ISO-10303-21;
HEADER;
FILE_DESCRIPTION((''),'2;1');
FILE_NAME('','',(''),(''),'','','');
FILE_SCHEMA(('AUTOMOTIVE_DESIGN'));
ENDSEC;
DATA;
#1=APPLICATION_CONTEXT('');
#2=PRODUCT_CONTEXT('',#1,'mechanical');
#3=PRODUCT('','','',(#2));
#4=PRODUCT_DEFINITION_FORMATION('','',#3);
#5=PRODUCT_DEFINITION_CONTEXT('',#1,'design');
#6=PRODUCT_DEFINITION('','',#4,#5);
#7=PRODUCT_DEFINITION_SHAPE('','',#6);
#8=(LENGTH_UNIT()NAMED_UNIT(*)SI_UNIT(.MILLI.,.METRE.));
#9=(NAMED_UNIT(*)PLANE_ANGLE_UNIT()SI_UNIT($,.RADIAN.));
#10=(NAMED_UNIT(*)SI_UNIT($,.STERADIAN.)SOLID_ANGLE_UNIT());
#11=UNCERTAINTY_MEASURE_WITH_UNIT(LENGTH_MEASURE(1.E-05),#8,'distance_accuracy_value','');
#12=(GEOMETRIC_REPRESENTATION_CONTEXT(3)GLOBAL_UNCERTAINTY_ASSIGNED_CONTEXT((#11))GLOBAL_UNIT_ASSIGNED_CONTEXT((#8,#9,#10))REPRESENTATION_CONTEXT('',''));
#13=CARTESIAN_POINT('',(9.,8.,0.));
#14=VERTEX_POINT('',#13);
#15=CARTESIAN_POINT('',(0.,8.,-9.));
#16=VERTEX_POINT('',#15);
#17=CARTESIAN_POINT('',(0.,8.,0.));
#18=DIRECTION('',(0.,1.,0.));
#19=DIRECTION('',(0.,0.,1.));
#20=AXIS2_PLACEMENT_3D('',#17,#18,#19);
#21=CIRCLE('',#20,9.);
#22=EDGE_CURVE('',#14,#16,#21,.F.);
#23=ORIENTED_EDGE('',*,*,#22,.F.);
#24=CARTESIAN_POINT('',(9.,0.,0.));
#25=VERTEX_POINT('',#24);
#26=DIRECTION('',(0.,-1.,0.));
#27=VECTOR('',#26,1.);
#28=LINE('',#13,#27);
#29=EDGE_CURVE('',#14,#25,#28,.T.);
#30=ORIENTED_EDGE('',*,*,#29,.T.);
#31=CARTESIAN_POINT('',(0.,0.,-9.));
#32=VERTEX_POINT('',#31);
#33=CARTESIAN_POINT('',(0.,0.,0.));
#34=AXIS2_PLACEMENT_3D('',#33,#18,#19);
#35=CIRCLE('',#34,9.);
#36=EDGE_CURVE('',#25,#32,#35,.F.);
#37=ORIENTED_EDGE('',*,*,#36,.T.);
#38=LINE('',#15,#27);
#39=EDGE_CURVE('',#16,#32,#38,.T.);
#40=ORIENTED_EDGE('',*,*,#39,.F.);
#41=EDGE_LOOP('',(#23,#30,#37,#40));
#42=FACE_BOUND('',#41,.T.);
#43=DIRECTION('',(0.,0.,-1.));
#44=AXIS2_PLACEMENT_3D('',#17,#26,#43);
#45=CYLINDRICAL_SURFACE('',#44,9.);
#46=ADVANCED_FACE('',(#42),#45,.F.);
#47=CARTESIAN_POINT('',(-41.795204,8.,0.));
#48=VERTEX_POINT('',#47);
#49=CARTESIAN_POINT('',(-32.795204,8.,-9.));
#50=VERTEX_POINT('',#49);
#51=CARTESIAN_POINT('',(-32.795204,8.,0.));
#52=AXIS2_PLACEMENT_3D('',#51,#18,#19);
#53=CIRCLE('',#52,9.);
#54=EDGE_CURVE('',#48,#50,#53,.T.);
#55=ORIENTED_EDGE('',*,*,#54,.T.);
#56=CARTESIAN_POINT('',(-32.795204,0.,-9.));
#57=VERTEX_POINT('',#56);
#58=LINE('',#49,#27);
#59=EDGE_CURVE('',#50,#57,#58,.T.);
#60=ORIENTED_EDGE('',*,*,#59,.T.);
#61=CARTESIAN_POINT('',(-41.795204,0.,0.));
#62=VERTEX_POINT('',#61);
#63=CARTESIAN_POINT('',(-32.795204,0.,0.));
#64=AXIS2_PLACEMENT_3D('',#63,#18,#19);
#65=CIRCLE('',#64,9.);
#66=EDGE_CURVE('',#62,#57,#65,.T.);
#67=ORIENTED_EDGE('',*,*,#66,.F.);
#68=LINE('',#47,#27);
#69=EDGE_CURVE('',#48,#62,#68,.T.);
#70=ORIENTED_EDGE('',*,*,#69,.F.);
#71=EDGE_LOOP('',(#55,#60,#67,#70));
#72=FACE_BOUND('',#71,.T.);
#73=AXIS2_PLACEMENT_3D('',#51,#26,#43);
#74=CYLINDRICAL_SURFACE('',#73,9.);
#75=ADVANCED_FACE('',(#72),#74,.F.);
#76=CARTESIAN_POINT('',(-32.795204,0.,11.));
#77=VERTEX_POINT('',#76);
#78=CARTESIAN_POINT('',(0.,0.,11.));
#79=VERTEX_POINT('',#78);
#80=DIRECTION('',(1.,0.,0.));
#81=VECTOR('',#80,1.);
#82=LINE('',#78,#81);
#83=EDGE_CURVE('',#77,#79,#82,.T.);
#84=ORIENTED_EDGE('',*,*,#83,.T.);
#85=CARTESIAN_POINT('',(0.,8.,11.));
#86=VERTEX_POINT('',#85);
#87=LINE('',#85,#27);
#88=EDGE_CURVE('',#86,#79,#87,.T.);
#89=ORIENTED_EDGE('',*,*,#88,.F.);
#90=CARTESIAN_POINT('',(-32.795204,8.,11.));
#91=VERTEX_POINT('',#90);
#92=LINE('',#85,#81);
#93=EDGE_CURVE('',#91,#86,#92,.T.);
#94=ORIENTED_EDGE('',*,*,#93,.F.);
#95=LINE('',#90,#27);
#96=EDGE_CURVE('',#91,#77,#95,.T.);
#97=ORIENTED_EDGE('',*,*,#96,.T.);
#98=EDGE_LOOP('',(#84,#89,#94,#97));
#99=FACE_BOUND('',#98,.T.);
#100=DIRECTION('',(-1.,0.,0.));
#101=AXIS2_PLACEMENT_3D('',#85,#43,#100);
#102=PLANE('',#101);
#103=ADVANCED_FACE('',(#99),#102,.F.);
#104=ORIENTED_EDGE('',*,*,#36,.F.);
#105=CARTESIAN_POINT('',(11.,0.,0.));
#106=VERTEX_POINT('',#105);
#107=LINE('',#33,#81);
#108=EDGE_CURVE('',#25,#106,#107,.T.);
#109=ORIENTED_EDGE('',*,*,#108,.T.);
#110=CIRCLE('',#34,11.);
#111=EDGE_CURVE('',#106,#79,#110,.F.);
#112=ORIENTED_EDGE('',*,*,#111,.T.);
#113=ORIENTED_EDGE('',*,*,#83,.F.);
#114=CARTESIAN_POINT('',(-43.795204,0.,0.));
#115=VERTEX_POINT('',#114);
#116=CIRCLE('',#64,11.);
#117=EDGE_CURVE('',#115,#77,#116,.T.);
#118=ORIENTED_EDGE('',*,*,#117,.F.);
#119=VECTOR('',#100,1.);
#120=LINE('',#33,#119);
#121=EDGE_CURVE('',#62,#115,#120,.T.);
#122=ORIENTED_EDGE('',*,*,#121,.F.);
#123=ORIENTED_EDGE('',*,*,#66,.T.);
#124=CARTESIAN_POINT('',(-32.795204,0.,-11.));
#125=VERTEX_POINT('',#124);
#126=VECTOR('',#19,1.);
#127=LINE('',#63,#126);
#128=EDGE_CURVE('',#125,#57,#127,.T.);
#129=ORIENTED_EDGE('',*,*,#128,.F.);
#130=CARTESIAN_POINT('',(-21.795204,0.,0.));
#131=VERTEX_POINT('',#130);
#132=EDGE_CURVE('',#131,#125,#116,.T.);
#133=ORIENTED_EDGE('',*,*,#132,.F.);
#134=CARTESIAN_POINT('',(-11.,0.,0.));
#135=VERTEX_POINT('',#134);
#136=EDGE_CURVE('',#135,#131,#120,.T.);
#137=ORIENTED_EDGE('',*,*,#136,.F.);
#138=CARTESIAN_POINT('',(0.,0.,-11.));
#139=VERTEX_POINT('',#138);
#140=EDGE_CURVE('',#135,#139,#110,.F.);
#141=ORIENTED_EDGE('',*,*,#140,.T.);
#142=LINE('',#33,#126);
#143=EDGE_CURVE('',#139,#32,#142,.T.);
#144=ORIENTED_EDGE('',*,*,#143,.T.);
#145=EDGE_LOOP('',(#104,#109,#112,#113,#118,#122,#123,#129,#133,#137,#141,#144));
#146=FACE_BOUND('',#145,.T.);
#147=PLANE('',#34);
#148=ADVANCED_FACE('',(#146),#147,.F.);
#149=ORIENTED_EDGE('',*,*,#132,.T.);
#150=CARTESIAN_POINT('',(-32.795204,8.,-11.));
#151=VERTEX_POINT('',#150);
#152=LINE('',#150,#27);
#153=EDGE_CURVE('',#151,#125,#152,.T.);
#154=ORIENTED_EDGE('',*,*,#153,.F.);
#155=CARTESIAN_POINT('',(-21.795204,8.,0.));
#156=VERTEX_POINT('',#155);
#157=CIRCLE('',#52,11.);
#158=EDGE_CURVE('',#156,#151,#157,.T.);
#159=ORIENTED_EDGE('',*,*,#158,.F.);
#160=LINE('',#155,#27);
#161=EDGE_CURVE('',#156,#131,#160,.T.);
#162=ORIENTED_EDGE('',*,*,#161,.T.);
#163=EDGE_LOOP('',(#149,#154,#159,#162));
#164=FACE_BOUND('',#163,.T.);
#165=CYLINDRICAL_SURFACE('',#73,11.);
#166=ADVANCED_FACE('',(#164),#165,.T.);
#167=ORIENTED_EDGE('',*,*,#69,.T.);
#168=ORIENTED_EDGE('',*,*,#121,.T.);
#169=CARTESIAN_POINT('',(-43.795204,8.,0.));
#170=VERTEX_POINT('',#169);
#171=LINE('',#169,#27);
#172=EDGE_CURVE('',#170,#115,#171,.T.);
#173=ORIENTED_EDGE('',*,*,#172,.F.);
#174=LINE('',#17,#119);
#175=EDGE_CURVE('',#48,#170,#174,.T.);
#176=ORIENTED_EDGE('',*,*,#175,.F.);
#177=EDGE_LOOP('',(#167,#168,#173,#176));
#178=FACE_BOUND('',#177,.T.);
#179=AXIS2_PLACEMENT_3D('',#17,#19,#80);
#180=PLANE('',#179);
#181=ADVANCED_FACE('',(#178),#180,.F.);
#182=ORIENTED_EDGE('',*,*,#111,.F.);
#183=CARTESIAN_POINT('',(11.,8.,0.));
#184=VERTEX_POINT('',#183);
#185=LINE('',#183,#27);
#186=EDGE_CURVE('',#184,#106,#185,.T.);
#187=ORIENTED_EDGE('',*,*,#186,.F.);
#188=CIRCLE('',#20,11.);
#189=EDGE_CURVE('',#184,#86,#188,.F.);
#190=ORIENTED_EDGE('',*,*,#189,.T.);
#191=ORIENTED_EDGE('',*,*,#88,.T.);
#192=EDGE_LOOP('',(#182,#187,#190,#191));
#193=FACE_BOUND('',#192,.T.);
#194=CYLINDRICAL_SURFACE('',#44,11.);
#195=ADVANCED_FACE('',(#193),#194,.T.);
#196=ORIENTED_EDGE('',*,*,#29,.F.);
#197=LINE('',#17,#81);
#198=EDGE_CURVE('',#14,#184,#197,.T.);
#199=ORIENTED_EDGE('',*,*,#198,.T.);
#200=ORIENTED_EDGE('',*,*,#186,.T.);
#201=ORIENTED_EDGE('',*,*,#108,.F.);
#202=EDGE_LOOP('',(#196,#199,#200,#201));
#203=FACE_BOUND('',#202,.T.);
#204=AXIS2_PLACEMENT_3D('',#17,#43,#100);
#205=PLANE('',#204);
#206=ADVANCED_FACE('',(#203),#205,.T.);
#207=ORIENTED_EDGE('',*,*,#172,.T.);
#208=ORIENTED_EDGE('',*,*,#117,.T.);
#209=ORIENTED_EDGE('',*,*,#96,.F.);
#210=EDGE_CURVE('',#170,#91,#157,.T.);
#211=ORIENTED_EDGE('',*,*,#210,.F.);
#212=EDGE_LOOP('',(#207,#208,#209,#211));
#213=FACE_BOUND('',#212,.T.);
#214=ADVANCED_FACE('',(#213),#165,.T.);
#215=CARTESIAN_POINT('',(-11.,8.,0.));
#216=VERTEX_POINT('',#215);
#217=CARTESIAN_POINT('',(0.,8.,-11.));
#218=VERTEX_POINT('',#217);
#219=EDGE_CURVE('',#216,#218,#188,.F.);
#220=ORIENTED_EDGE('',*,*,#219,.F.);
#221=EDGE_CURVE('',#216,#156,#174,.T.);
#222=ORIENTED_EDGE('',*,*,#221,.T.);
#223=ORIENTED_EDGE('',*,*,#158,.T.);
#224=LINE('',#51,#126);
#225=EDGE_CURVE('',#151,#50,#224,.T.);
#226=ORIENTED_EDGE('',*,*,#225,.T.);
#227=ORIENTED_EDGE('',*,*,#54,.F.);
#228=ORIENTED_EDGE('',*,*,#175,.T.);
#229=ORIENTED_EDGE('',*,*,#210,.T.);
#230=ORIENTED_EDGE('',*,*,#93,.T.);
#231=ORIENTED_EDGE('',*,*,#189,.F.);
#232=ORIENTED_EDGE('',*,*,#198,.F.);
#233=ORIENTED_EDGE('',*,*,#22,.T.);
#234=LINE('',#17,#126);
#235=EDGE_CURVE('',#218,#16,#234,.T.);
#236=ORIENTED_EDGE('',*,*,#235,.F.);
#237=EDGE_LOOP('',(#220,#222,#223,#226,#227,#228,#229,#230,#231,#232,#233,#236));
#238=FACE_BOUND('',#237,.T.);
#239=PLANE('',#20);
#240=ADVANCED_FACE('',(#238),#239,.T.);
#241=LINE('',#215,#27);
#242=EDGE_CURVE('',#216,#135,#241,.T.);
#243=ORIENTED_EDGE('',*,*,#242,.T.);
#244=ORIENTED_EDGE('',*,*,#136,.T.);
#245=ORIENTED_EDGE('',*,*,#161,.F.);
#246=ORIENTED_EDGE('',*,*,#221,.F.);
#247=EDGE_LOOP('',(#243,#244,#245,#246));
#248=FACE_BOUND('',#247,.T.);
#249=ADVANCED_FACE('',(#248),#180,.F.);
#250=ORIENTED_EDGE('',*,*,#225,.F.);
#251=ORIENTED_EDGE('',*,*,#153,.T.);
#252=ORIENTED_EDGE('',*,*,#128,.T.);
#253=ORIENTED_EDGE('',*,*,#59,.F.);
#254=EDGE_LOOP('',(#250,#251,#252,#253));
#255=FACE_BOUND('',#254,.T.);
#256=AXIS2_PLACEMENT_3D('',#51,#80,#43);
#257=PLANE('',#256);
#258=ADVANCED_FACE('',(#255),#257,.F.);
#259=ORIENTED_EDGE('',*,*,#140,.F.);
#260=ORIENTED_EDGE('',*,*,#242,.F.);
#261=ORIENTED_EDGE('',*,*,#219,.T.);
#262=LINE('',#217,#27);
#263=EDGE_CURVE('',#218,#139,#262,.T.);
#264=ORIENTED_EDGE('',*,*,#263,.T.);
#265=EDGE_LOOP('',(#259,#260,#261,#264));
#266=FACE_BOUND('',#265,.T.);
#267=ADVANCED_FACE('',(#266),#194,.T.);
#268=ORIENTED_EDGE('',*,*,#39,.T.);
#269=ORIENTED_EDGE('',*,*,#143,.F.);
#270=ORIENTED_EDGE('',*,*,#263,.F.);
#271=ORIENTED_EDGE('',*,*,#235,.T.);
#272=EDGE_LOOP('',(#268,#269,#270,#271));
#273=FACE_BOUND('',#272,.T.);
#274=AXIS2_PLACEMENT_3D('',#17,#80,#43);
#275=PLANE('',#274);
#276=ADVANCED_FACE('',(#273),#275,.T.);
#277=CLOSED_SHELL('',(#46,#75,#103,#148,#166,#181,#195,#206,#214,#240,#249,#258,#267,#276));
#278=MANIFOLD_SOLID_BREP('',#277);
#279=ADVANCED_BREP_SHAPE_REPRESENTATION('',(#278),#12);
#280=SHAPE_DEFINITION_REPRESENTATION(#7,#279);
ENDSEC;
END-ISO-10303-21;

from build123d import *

# Parameters (mm, degrees)
BOSS_EXTRUDE1_DEPTH = 8


with BuildPart() as part:
    # Sketch1 → Boss-Extrude1 (new body)
    with BuildSketch(Plane(origin=(0, 0, 0), x_dir=(1, 0, 0), z_dir=(0, 1, 0))):
        with BuildLine():
            ThreePointArc((-43.795204124, 0), (-25.017029531, -7.778174593), (-32.795204124, 11))
            Line((-32.795204124, 11), (-32.795204124, 9))
            ThreePointArc((-32.795204124, 9), (-26.431243094, -6.363961031), (-41.795204124, 0))
            Line((-41.795204124, 0), (-43.795204124, 0))
        make_face()
        with BuildLine():
            Line((-16.397602062, -11), (-16.397602062, 0))
            Line((-16.397602062, 0), (-21.795204124, 0))
            ThreePointArc((-21.795204124, 0), (-25.017029531, -7.778174593), (-32.795204124, -11))
            Line((-32.795204124, -11), (-16.397602062, -11))
        make_face()
        with BuildLine():
            ThreePointArc((0, -11), (-7.778174593, -7.778174593), (-11, 0))
            Line((-11, 0), (-16.397602062, 0))
            Line((-16.397602062, 0), (-16.397602062, -11))
            Line((-16.397602062, -11), (0, -11))
        make_face()
        with BuildLine():
            ThreePointArc((11, 0), (-7.778174593, -7.778174593), (0, 11))
            Line((0, 11), (0, 9))
            ThreePointArc((0, 9), (-6.363961031, -6.363961031), (9, 0))
            Line((9, 0), (11, 0))
        make_face()
    extrude(amount=BOSS_EXTRUDE1_DEPTH)


solid = part.part
